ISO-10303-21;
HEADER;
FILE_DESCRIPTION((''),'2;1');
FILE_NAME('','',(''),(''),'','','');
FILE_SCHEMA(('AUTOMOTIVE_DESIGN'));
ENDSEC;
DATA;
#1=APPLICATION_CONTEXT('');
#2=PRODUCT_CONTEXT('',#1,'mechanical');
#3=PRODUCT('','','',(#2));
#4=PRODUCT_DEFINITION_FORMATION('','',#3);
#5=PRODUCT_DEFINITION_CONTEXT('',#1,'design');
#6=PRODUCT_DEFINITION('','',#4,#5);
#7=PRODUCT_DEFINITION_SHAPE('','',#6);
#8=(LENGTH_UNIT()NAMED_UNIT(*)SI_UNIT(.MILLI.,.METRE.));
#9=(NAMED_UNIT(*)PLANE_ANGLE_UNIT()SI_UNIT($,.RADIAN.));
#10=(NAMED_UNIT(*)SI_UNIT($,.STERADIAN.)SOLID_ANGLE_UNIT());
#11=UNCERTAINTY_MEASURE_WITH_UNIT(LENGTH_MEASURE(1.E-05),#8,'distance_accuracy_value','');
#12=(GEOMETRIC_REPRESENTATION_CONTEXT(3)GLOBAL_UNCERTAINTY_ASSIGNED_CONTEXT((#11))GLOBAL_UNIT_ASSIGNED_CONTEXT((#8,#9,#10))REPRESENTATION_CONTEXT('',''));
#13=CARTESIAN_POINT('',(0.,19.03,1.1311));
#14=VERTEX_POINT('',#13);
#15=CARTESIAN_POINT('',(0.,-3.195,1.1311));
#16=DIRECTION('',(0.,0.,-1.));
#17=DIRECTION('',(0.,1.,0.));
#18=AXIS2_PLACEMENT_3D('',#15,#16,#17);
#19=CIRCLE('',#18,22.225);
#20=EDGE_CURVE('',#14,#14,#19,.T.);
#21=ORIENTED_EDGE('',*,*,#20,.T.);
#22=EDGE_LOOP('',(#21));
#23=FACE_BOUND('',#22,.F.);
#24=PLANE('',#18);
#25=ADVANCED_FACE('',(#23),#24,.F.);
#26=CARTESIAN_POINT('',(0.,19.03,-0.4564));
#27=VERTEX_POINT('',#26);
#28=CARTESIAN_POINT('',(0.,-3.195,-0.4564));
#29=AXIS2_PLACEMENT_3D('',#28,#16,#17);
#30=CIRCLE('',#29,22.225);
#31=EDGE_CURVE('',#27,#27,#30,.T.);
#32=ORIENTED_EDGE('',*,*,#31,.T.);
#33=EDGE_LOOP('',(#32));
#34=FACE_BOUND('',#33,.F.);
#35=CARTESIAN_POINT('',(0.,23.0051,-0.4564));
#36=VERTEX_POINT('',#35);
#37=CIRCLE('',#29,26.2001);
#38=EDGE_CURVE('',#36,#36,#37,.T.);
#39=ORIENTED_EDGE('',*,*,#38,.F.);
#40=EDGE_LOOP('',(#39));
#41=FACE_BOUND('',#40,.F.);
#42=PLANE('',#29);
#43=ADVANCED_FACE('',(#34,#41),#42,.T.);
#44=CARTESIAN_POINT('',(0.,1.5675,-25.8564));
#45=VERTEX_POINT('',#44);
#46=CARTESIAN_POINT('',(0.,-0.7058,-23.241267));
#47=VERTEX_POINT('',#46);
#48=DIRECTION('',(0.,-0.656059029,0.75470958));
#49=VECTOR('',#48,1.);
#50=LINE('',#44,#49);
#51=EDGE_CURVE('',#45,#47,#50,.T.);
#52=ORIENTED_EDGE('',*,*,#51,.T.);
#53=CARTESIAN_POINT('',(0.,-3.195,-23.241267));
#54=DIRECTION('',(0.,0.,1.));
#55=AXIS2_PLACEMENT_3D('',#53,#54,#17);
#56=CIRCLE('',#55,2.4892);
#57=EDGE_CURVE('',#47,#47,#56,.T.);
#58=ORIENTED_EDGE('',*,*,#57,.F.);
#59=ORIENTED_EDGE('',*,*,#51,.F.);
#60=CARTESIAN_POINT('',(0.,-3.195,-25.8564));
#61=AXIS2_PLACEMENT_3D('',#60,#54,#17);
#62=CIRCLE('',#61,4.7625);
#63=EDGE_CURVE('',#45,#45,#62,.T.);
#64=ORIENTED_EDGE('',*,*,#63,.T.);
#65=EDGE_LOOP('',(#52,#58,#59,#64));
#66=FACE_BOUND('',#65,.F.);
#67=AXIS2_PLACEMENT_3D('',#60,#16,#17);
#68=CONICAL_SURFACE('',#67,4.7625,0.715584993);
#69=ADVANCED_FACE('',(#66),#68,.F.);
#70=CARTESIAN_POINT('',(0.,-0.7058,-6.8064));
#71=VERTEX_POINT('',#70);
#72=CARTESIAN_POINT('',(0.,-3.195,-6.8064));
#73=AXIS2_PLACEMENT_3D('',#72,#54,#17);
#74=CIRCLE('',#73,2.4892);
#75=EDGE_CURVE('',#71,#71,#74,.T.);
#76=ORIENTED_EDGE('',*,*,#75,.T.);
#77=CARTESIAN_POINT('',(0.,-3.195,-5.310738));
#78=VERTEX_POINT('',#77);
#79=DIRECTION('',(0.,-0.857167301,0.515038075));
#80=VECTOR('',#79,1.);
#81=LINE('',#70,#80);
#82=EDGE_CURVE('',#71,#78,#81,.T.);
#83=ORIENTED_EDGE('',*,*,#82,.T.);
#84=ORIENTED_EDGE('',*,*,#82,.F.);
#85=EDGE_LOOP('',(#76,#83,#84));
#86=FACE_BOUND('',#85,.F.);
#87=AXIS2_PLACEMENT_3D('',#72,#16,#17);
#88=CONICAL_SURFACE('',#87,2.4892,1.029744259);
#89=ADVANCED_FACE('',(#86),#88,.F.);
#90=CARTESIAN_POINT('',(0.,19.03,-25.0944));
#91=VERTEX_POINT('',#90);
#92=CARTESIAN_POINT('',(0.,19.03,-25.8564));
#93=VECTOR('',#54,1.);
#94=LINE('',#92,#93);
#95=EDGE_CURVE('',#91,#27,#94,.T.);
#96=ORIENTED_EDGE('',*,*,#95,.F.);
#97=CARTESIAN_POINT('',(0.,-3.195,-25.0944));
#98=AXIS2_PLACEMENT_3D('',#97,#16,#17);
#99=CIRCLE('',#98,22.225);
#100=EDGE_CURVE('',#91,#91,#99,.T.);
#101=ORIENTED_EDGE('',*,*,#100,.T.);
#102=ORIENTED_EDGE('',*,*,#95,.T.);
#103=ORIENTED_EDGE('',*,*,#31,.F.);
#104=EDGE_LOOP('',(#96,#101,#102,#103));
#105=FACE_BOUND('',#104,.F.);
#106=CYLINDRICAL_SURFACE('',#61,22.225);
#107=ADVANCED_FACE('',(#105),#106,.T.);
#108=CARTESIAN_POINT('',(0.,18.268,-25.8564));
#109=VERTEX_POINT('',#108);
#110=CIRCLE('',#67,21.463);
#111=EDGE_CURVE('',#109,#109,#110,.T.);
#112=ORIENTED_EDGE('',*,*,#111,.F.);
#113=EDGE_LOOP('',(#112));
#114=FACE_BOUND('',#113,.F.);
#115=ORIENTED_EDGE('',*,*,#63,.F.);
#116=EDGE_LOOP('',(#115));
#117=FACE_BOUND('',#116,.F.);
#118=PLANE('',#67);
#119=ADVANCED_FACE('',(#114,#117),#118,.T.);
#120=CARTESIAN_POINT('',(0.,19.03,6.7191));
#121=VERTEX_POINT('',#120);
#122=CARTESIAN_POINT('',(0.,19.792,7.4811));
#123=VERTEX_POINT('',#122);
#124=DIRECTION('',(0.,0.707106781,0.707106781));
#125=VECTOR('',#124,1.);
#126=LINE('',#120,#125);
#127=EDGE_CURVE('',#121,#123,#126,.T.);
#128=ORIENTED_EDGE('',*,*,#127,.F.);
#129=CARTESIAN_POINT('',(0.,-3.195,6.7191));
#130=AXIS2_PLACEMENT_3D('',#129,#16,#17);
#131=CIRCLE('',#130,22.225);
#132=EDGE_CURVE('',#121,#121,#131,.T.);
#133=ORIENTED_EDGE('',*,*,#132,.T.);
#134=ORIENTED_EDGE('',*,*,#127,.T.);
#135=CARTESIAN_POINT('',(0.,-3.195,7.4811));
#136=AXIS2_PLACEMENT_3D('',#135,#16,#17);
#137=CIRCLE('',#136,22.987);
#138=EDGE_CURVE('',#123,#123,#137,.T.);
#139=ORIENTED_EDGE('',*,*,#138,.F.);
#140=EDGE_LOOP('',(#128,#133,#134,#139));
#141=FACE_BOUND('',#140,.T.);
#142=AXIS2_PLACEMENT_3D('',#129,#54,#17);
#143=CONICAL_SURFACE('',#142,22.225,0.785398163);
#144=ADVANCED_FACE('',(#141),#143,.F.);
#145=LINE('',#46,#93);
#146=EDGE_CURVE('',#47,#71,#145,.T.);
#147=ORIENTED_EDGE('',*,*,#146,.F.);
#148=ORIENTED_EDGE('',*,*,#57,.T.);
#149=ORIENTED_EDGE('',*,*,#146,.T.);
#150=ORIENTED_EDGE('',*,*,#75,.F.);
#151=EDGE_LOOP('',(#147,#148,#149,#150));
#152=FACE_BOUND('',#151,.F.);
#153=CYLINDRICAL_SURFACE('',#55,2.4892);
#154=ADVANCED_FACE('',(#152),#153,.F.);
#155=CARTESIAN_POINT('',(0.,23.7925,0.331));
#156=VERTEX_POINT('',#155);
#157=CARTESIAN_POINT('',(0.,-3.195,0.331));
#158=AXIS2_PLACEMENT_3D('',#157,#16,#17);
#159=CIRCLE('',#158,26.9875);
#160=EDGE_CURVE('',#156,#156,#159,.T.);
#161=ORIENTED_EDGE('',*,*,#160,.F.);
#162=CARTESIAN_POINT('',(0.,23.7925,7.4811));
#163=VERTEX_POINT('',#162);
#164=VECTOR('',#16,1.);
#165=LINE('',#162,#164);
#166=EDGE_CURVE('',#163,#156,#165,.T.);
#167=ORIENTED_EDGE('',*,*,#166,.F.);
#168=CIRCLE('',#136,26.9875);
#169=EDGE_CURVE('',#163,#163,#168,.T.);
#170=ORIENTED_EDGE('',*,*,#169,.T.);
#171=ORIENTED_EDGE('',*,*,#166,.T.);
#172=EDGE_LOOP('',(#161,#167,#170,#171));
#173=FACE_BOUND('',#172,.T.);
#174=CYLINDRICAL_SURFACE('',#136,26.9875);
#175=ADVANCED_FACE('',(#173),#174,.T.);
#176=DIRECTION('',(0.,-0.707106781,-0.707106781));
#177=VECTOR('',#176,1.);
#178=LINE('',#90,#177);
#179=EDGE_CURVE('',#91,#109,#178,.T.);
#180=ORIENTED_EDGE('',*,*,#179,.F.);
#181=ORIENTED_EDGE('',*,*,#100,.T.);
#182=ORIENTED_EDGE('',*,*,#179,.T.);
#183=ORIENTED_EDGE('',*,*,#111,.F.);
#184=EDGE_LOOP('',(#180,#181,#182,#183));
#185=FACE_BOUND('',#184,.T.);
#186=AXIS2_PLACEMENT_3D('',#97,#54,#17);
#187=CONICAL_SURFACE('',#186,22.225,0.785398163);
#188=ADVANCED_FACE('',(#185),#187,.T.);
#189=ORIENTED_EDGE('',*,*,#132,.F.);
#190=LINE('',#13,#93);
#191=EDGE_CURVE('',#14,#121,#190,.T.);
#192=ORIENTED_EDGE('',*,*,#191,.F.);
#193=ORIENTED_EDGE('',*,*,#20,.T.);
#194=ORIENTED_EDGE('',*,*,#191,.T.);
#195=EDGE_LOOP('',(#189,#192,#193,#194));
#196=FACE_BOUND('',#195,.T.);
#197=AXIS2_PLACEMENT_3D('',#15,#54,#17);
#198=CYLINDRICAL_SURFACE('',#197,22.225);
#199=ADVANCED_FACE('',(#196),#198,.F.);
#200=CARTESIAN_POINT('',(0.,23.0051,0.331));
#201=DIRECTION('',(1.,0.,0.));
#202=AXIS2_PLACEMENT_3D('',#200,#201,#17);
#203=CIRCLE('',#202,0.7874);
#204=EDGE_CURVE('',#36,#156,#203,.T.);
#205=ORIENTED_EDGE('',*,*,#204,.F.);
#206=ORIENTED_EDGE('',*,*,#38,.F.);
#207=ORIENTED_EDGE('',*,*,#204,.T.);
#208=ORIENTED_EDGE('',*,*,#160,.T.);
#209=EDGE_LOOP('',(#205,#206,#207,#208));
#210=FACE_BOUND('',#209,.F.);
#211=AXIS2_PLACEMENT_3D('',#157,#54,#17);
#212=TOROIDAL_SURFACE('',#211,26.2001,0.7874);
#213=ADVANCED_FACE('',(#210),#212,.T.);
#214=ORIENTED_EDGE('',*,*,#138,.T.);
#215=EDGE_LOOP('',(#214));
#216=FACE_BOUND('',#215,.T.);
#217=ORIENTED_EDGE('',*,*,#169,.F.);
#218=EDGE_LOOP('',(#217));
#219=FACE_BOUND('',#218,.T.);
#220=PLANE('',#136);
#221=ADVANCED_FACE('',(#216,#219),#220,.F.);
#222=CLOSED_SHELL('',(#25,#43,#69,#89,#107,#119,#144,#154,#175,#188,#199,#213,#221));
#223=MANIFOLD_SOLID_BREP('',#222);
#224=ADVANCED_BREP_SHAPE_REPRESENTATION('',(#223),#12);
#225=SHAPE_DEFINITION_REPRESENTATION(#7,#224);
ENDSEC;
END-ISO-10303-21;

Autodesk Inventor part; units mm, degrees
ref_plane "YZ Plane" through (0, 0, 0) normal (1, 0, 0) x (0, 1, 0)
ref_plane "XZ Plane" through (0, 0, 0) normal (0, 1, 0) x (-1, 0, 0)
ref_plane "XY Plane" through (0, 0, 0) normal (0, 0, 1) x (1, 0, 0)
sketch "Sketch1" plane through (0, 0, 0) normal (1, 0, 0) x (0, 1, 0)
  line L0 (-3.195, -4.0211) -> (-3.195, -25.8564)
  line L1 (-3.195, -25.8564) -> (19.03, -25.8564)
  line L2 (19.03, -25.8564) -> (19.03, -0.4564)
  line L3 (19.03, -0.4564) -> (23.7925, -0.4564)
  line L4 (23.7925, -0.4564) -> (23.7925, 0)
  line L5 (19.03, 1.1311) -> (-3.195, 1.1311)
  line L6 (-3.195, 1.1311) -> (-3.195, -4.0211)
  line L7 (19.03, 1.1311) -> (19.03, 7.4811)
  line L8 (19.03, 7.4811) -> (23.7925, 7.4811)
  line L9 (23.7925, 7.4811) -> (23.7925, 0)
  dimension "d1" = 4.7625
  dimension "d2" = 7.9375
  dimension "d3" = 6.35
  dimension "d5" = 26.9875
  dimension "d6" = 22.225
revolve "Revolution1" add sketch "Sketch1" angle 360 about axis through (0, -3.195, -4.0211) along (0, 0, -1)
sketch "Sketch2" plane through (0, -3.195, -25.8564) normal (0, 0, -1) x (-1, 0, 0)
  point P0 (0, 3.195)
sketch "Sketch3" plane through (0, -3.195, -25.8564) normal (0, 0, -1) x (-1, 0, 0)
  point P0 (0, 3.195)
  point P1 (0, 0)
hole "Hole1" at (0, -3.195, -25.8564) direction (0, 0, 1) diameter 4.9784 depth 19.05 tip angle 118 countersink diameter 9.525 countersink angle 82 thread size "1/4-20 UNC" class "2B" standard "ANSI Unified Screw Threads"
chamfer "Chamfer1" distance 0.762 angle 45 1 edges at (0, -25.42, 7.4811) measured on face at (-3.9258, 21.7283, 7.4811)
chamfer "Chamfer2" distance 0.762 angle 45 1 edges at (0, -25.42, -25.8564) measured on face at (-2.1528, 12.9477, -25.8564)
fillet "Fillet1" radius 0.7874 1 edges at (0, -30.1825, -0.4564)
properties part number "Loer die 2 center" material "Steel"
